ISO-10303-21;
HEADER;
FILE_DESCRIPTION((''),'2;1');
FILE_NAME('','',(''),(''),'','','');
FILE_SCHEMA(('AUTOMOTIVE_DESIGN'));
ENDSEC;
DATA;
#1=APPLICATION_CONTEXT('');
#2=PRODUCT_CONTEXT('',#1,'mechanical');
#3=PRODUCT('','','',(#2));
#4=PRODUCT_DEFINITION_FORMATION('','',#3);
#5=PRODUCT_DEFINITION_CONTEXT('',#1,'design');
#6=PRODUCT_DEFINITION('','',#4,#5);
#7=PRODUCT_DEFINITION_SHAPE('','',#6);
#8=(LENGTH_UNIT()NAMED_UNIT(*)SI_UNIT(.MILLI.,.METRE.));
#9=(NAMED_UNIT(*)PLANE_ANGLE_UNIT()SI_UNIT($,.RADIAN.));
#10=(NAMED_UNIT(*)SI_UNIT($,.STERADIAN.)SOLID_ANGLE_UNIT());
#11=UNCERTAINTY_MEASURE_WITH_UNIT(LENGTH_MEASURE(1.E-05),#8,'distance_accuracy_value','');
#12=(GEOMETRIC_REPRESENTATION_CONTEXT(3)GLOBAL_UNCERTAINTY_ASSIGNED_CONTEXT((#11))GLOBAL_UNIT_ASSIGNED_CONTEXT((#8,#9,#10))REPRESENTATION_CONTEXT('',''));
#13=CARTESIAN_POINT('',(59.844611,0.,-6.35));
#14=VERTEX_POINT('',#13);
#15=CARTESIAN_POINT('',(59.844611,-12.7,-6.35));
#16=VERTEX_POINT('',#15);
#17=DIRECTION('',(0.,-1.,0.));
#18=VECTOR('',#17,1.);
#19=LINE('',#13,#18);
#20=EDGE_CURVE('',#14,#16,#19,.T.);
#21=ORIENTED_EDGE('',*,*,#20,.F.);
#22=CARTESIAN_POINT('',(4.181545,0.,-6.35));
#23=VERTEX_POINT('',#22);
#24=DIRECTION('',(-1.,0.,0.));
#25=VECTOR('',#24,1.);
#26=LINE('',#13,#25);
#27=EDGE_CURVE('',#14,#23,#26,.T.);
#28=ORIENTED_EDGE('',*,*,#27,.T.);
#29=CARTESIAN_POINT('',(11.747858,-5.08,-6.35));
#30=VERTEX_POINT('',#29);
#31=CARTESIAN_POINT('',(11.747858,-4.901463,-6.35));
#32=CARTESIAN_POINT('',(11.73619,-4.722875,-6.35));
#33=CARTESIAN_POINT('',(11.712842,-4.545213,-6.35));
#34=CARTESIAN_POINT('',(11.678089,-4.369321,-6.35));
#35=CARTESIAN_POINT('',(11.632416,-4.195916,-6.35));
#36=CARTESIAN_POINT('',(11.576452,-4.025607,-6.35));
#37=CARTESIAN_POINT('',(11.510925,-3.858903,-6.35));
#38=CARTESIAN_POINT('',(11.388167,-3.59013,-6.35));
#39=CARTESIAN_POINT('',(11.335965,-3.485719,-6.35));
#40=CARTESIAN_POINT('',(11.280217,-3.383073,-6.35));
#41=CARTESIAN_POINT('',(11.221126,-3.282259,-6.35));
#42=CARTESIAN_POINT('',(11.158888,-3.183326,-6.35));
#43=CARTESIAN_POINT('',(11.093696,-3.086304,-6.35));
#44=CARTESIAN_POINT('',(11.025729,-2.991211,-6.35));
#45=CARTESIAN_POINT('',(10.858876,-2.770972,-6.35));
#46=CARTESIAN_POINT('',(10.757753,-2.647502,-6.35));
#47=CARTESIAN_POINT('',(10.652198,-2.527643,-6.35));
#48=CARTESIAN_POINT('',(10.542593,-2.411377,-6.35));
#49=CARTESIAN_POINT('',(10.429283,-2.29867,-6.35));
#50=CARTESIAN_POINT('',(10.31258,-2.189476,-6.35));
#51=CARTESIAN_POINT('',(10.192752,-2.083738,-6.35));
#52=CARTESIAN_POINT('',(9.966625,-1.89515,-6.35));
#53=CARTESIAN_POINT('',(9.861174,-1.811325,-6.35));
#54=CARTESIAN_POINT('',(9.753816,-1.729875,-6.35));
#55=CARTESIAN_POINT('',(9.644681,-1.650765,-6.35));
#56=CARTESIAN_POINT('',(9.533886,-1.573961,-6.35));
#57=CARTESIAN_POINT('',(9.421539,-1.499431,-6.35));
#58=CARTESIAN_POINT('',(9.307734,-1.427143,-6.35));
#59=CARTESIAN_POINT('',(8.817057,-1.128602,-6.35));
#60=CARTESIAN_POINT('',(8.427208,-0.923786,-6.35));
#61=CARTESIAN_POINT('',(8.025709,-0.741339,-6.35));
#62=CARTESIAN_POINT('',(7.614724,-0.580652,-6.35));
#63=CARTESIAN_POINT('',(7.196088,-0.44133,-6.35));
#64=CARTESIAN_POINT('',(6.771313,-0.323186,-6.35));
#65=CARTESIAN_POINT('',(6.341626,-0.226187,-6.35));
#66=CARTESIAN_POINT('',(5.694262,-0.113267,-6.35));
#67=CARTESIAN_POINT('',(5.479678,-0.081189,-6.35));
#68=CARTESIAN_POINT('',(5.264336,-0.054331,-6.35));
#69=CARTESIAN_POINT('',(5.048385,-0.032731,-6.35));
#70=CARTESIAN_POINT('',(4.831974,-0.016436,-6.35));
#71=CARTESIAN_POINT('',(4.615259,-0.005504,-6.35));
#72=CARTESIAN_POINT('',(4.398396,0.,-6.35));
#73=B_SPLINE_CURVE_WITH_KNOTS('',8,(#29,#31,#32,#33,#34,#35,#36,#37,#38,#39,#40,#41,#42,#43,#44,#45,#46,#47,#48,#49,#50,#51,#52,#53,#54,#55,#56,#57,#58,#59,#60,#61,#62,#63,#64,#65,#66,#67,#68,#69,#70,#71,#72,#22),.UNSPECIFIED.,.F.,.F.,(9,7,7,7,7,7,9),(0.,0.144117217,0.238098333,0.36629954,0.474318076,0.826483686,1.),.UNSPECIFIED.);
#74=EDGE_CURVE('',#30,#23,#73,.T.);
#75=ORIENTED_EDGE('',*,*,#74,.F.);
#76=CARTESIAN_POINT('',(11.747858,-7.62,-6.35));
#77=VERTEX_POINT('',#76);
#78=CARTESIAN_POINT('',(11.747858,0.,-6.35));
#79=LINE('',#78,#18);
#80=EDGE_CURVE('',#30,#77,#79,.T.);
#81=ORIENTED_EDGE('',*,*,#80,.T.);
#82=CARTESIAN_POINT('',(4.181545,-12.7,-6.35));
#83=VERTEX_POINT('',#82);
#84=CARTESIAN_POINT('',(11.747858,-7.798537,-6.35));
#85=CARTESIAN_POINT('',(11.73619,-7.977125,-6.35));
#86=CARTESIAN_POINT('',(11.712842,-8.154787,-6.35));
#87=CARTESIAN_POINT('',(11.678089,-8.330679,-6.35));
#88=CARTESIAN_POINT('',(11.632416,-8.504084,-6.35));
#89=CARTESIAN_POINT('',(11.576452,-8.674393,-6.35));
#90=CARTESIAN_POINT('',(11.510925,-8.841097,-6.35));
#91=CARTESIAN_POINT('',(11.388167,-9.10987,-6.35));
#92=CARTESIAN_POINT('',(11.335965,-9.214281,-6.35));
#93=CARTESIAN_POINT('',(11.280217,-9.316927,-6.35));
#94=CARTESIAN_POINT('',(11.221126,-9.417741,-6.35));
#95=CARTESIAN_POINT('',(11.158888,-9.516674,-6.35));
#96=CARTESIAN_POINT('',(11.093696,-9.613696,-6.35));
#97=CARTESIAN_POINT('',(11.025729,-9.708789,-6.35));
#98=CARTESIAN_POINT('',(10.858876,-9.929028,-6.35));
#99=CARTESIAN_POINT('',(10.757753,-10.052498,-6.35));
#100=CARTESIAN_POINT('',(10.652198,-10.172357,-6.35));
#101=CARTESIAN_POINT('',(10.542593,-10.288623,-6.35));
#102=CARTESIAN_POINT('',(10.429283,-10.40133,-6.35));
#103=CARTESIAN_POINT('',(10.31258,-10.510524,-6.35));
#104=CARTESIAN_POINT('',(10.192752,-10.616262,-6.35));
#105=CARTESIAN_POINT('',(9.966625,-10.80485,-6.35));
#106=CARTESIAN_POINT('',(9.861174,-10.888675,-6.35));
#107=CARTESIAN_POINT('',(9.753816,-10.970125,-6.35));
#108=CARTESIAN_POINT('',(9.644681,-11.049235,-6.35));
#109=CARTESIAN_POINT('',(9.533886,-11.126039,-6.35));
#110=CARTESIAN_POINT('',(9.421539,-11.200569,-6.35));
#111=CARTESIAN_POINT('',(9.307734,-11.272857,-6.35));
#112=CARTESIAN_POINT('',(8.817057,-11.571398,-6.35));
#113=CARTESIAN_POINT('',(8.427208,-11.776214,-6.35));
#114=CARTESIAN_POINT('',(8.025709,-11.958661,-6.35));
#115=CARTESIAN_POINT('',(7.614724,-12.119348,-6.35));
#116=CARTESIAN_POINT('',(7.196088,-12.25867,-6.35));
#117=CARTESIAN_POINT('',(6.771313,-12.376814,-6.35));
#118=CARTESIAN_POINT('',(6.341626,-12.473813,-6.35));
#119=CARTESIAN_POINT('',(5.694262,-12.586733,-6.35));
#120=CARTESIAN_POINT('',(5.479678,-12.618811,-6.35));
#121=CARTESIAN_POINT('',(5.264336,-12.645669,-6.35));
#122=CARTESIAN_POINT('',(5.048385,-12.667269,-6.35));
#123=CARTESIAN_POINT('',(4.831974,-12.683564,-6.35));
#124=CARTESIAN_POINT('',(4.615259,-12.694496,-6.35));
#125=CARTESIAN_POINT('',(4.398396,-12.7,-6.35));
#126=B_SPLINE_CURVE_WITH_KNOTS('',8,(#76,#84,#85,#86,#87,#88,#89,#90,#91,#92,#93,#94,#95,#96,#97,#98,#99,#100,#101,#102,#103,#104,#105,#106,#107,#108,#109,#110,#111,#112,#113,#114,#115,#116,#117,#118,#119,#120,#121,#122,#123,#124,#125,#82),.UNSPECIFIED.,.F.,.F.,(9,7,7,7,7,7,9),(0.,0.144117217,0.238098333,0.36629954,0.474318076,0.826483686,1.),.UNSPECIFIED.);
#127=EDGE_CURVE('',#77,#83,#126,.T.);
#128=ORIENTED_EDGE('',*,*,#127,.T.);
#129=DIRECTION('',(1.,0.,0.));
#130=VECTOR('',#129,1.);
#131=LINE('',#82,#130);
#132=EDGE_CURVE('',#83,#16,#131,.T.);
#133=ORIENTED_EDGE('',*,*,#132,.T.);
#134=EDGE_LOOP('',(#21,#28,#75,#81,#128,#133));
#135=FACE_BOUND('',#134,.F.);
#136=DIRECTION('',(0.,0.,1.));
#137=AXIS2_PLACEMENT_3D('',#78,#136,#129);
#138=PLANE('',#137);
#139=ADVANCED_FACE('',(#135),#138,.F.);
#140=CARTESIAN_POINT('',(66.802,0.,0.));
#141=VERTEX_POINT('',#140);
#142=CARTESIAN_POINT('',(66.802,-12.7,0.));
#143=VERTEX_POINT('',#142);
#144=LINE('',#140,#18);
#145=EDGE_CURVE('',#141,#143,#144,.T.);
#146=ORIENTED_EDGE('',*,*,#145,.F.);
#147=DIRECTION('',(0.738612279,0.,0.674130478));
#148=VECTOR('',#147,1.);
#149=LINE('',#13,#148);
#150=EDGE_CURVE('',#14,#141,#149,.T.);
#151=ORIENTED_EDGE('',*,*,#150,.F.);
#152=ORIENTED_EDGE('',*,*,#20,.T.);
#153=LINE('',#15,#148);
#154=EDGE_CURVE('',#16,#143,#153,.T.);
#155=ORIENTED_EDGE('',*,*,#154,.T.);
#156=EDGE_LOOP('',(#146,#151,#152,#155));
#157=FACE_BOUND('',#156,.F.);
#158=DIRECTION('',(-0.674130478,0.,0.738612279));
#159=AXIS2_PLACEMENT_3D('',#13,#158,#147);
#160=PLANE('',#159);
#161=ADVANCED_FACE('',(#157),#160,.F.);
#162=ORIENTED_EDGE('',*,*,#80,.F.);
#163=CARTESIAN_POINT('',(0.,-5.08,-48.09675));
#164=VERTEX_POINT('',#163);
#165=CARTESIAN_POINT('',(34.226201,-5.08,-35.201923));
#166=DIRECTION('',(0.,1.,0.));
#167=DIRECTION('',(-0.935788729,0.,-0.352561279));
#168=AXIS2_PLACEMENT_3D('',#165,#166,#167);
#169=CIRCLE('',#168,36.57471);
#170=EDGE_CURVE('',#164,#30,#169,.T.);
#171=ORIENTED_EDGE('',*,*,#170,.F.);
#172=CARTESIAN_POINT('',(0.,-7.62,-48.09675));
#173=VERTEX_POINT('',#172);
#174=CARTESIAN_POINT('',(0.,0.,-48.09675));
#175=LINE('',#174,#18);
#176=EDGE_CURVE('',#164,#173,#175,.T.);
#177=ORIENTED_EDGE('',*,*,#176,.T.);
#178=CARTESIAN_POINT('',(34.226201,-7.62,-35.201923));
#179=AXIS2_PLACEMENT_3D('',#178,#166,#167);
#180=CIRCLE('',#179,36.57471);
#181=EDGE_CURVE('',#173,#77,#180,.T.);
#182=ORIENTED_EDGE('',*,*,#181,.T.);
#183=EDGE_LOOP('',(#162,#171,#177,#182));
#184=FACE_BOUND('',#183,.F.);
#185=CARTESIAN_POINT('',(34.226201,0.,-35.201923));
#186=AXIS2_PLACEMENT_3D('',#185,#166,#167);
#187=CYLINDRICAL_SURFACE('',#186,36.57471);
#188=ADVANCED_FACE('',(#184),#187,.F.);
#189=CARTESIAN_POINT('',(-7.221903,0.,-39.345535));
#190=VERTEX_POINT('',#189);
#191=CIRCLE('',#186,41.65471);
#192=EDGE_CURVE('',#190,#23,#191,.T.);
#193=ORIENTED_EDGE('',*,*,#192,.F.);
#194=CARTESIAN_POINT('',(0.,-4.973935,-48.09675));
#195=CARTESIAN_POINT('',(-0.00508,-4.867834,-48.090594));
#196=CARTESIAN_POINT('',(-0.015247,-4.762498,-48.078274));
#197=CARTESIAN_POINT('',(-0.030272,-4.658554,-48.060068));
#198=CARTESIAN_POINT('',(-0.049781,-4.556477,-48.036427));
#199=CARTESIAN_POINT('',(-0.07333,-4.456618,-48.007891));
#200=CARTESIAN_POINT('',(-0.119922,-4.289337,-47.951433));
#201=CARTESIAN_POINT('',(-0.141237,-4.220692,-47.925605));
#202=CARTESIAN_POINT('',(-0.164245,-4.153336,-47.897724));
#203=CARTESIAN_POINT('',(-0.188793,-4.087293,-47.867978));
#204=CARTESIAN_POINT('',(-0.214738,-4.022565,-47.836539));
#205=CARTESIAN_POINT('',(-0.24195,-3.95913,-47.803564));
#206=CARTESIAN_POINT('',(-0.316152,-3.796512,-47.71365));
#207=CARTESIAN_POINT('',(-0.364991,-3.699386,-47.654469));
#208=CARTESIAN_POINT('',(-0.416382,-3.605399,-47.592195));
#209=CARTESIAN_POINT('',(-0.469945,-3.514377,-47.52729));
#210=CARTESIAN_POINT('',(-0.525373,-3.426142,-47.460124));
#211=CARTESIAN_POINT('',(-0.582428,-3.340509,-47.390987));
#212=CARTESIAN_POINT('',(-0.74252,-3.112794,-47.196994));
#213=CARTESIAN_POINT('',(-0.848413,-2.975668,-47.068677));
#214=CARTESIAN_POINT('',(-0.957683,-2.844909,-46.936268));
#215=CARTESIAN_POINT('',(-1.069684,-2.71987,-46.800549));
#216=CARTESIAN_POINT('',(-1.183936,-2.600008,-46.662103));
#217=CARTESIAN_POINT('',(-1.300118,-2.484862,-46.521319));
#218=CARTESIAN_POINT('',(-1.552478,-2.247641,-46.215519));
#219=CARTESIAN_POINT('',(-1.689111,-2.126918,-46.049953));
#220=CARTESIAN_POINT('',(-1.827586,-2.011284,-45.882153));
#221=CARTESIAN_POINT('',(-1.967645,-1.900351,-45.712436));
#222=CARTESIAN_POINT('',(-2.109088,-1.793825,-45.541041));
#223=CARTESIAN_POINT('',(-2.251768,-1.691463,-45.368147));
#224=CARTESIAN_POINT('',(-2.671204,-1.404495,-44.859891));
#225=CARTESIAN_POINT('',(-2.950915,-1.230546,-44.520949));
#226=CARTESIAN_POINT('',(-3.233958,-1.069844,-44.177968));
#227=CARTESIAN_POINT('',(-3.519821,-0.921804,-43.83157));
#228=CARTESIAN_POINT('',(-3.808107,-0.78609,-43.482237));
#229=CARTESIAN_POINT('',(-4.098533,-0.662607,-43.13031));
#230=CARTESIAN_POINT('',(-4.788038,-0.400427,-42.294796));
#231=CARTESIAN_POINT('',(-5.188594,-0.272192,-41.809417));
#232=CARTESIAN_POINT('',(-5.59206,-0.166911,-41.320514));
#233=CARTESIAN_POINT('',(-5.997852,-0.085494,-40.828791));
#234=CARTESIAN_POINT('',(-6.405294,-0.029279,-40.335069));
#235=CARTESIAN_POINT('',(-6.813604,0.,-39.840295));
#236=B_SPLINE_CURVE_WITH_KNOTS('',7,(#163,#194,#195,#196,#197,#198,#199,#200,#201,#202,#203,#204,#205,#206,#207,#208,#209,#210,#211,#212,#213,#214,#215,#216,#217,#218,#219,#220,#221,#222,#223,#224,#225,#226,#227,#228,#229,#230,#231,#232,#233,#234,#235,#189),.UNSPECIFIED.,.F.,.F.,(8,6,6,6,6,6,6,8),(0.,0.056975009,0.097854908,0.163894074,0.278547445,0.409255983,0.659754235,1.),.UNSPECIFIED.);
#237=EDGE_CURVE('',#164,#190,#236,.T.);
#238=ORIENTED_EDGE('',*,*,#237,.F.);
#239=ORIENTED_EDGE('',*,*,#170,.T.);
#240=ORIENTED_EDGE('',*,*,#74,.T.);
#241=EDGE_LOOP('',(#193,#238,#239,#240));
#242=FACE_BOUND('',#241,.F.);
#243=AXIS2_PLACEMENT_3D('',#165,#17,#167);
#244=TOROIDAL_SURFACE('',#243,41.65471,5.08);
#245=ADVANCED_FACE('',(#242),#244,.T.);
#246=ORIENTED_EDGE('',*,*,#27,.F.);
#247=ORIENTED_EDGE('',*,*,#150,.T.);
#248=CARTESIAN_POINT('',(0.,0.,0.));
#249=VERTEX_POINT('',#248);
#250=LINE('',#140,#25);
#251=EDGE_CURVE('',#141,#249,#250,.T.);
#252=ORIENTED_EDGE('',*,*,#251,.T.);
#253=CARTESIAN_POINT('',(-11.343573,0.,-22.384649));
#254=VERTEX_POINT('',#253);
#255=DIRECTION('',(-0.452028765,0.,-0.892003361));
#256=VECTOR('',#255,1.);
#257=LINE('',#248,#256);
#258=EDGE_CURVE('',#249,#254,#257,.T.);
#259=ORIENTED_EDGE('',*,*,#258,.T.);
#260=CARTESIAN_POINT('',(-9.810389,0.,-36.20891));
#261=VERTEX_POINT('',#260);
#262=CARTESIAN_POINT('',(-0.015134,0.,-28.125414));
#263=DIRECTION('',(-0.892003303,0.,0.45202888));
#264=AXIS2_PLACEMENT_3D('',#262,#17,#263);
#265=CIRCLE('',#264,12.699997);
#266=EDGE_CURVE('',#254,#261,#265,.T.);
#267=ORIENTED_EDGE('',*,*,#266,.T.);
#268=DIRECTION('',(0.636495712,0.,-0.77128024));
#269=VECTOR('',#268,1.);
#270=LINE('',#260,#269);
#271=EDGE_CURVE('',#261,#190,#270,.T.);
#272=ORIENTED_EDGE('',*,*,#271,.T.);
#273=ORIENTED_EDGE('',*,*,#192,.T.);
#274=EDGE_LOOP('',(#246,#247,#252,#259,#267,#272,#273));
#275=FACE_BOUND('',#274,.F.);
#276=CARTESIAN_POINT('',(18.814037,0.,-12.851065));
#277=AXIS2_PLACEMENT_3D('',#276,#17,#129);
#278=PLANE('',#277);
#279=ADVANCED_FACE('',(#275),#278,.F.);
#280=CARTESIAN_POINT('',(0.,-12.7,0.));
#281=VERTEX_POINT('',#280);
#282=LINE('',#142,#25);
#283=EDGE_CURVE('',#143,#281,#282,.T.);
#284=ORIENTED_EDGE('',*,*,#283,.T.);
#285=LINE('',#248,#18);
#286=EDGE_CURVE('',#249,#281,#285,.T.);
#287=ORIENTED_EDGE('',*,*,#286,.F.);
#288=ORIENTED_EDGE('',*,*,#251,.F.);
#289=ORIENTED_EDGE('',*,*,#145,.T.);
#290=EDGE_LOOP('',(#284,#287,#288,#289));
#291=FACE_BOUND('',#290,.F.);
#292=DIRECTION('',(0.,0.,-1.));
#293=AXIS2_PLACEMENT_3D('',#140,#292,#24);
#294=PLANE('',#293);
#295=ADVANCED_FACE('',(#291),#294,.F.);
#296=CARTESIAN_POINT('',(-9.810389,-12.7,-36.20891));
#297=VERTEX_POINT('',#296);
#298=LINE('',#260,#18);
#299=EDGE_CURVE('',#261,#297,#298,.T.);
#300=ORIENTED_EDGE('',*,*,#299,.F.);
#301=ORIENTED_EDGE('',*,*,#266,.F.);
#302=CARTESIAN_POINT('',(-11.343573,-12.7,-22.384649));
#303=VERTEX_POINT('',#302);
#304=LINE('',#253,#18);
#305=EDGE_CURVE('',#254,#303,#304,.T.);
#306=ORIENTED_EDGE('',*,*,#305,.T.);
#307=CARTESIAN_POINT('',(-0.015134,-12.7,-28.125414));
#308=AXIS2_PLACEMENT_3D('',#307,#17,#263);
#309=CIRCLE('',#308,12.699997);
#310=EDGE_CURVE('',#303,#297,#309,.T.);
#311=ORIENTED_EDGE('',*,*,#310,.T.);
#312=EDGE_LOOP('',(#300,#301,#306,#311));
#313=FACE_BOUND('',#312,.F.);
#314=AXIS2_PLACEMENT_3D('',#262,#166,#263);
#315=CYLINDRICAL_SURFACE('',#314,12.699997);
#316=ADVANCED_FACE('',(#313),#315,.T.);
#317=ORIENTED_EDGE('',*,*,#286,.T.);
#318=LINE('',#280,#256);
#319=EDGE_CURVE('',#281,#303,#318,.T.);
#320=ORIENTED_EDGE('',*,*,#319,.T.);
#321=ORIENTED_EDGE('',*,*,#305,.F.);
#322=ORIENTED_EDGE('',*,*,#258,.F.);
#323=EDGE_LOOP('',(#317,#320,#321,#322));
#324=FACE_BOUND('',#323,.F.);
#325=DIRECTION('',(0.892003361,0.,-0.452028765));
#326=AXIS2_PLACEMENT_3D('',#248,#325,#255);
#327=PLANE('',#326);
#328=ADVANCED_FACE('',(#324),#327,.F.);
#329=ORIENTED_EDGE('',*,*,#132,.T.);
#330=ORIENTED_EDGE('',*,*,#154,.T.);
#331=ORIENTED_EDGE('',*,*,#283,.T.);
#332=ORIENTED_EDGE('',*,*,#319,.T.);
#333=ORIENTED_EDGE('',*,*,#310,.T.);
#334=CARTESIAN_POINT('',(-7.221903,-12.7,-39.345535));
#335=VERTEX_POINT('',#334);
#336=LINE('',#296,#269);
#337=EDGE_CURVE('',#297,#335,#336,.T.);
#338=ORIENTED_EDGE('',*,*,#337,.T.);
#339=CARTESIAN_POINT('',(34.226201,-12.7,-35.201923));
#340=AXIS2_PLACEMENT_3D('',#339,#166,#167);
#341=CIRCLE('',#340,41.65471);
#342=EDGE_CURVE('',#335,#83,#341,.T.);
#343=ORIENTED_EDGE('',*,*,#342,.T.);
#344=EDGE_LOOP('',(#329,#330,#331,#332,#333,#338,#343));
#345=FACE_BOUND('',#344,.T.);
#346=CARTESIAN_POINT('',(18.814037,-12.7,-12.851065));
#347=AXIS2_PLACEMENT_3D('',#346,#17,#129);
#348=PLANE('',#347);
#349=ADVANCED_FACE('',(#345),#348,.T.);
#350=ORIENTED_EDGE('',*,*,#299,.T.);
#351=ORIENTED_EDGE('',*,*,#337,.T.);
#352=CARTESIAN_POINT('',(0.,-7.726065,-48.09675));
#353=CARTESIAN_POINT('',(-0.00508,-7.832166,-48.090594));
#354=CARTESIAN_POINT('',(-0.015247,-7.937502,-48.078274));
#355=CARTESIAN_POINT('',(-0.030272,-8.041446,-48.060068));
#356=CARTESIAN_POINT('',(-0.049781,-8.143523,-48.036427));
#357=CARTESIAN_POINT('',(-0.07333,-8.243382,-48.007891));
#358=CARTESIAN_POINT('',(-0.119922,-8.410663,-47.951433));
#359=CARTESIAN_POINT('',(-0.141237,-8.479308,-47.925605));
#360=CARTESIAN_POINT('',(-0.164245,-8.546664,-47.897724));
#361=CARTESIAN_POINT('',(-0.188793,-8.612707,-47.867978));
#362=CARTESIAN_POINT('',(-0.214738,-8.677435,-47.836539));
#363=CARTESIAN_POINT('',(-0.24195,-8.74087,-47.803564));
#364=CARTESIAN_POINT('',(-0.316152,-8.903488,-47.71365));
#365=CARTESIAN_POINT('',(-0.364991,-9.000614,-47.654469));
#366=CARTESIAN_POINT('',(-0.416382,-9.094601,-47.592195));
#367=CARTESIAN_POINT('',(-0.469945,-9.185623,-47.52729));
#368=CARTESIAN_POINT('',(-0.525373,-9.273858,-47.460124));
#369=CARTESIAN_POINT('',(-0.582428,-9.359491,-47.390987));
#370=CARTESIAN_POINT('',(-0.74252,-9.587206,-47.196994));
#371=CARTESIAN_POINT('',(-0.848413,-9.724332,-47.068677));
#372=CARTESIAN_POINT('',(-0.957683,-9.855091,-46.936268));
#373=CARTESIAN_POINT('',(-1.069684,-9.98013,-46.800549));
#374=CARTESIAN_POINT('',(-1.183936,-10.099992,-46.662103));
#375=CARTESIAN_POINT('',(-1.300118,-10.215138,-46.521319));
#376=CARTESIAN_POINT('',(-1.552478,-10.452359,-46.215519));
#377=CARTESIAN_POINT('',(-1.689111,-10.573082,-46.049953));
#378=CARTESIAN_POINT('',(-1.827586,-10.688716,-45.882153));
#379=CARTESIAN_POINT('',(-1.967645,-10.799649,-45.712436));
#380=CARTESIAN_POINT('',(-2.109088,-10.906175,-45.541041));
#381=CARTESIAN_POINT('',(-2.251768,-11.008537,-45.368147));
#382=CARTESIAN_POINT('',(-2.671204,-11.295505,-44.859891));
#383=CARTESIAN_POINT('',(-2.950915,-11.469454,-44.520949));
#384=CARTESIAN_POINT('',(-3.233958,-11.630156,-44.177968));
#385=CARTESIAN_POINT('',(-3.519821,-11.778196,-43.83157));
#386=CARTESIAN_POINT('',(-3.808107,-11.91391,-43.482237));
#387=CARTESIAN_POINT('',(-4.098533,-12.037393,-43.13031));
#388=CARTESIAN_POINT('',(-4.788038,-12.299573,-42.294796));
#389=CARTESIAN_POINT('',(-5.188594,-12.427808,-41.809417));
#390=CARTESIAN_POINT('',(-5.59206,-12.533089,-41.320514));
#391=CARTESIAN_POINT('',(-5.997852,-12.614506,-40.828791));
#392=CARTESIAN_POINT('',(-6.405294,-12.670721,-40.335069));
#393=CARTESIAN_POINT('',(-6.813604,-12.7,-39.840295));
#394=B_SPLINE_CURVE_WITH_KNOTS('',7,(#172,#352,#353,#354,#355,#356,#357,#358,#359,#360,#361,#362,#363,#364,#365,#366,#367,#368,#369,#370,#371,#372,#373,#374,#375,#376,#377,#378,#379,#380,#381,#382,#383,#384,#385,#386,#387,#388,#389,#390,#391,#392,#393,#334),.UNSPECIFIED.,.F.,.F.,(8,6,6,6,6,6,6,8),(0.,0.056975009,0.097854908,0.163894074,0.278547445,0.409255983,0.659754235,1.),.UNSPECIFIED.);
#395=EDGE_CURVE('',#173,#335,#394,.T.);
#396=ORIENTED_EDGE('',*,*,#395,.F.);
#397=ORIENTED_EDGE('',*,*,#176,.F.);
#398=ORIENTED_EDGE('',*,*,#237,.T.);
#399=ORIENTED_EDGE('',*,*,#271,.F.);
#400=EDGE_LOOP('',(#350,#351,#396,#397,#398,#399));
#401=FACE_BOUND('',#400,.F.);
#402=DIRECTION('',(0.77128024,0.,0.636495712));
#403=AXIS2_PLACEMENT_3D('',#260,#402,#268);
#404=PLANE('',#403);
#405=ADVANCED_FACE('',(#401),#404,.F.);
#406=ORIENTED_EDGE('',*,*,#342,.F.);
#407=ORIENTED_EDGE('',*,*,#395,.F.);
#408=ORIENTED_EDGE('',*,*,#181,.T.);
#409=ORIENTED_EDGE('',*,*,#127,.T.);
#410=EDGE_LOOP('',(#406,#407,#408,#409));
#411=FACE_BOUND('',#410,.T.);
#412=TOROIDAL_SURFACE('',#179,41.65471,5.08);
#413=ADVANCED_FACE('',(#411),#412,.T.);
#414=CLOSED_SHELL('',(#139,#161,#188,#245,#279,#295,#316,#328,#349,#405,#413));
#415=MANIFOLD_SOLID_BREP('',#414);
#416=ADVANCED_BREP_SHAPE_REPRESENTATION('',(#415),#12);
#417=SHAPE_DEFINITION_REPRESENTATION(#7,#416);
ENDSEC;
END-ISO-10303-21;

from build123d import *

# Parameters (mm, degrees)
F1_DEPTH = 12.7
F2_R     = 5.08


with BuildPart() as f1:
    # F0 (on Front) → F1 (new body)
    with BuildSketch(Plane.XZ):
        with BuildLine():
            Line((66.802, 0), (0, 0))
            Line((0, 0), (-11.343573, -22.384649))
            ThreePointArc((-11.343573, -22.384649), (-12.637739, -29.525329), (-9.810389, -36.20891))
            Line((-9.810389, -36.20891), (0, -48.09675))
            ThreePointArc((0, -48.09675), (-0.98103, -25.294337), (11.747858, -6.35))
            Line((11.747858, -6.35), (59.844611, -6.35))
            Line((59.844611, -6.35), (66.802, 0))
        make_face()
    extrude(amount=F1_DEPTH)

    # F2
    f2_edges = [f1.edges().sort_by_distance(p)[0] for p in [
        (-0.98103, -12.7, -25.294337),
        (-0.98103, 0, -25.294337),
    ]]
    fillet(f2_edges, radius=F2_R)


solid = f1.part
